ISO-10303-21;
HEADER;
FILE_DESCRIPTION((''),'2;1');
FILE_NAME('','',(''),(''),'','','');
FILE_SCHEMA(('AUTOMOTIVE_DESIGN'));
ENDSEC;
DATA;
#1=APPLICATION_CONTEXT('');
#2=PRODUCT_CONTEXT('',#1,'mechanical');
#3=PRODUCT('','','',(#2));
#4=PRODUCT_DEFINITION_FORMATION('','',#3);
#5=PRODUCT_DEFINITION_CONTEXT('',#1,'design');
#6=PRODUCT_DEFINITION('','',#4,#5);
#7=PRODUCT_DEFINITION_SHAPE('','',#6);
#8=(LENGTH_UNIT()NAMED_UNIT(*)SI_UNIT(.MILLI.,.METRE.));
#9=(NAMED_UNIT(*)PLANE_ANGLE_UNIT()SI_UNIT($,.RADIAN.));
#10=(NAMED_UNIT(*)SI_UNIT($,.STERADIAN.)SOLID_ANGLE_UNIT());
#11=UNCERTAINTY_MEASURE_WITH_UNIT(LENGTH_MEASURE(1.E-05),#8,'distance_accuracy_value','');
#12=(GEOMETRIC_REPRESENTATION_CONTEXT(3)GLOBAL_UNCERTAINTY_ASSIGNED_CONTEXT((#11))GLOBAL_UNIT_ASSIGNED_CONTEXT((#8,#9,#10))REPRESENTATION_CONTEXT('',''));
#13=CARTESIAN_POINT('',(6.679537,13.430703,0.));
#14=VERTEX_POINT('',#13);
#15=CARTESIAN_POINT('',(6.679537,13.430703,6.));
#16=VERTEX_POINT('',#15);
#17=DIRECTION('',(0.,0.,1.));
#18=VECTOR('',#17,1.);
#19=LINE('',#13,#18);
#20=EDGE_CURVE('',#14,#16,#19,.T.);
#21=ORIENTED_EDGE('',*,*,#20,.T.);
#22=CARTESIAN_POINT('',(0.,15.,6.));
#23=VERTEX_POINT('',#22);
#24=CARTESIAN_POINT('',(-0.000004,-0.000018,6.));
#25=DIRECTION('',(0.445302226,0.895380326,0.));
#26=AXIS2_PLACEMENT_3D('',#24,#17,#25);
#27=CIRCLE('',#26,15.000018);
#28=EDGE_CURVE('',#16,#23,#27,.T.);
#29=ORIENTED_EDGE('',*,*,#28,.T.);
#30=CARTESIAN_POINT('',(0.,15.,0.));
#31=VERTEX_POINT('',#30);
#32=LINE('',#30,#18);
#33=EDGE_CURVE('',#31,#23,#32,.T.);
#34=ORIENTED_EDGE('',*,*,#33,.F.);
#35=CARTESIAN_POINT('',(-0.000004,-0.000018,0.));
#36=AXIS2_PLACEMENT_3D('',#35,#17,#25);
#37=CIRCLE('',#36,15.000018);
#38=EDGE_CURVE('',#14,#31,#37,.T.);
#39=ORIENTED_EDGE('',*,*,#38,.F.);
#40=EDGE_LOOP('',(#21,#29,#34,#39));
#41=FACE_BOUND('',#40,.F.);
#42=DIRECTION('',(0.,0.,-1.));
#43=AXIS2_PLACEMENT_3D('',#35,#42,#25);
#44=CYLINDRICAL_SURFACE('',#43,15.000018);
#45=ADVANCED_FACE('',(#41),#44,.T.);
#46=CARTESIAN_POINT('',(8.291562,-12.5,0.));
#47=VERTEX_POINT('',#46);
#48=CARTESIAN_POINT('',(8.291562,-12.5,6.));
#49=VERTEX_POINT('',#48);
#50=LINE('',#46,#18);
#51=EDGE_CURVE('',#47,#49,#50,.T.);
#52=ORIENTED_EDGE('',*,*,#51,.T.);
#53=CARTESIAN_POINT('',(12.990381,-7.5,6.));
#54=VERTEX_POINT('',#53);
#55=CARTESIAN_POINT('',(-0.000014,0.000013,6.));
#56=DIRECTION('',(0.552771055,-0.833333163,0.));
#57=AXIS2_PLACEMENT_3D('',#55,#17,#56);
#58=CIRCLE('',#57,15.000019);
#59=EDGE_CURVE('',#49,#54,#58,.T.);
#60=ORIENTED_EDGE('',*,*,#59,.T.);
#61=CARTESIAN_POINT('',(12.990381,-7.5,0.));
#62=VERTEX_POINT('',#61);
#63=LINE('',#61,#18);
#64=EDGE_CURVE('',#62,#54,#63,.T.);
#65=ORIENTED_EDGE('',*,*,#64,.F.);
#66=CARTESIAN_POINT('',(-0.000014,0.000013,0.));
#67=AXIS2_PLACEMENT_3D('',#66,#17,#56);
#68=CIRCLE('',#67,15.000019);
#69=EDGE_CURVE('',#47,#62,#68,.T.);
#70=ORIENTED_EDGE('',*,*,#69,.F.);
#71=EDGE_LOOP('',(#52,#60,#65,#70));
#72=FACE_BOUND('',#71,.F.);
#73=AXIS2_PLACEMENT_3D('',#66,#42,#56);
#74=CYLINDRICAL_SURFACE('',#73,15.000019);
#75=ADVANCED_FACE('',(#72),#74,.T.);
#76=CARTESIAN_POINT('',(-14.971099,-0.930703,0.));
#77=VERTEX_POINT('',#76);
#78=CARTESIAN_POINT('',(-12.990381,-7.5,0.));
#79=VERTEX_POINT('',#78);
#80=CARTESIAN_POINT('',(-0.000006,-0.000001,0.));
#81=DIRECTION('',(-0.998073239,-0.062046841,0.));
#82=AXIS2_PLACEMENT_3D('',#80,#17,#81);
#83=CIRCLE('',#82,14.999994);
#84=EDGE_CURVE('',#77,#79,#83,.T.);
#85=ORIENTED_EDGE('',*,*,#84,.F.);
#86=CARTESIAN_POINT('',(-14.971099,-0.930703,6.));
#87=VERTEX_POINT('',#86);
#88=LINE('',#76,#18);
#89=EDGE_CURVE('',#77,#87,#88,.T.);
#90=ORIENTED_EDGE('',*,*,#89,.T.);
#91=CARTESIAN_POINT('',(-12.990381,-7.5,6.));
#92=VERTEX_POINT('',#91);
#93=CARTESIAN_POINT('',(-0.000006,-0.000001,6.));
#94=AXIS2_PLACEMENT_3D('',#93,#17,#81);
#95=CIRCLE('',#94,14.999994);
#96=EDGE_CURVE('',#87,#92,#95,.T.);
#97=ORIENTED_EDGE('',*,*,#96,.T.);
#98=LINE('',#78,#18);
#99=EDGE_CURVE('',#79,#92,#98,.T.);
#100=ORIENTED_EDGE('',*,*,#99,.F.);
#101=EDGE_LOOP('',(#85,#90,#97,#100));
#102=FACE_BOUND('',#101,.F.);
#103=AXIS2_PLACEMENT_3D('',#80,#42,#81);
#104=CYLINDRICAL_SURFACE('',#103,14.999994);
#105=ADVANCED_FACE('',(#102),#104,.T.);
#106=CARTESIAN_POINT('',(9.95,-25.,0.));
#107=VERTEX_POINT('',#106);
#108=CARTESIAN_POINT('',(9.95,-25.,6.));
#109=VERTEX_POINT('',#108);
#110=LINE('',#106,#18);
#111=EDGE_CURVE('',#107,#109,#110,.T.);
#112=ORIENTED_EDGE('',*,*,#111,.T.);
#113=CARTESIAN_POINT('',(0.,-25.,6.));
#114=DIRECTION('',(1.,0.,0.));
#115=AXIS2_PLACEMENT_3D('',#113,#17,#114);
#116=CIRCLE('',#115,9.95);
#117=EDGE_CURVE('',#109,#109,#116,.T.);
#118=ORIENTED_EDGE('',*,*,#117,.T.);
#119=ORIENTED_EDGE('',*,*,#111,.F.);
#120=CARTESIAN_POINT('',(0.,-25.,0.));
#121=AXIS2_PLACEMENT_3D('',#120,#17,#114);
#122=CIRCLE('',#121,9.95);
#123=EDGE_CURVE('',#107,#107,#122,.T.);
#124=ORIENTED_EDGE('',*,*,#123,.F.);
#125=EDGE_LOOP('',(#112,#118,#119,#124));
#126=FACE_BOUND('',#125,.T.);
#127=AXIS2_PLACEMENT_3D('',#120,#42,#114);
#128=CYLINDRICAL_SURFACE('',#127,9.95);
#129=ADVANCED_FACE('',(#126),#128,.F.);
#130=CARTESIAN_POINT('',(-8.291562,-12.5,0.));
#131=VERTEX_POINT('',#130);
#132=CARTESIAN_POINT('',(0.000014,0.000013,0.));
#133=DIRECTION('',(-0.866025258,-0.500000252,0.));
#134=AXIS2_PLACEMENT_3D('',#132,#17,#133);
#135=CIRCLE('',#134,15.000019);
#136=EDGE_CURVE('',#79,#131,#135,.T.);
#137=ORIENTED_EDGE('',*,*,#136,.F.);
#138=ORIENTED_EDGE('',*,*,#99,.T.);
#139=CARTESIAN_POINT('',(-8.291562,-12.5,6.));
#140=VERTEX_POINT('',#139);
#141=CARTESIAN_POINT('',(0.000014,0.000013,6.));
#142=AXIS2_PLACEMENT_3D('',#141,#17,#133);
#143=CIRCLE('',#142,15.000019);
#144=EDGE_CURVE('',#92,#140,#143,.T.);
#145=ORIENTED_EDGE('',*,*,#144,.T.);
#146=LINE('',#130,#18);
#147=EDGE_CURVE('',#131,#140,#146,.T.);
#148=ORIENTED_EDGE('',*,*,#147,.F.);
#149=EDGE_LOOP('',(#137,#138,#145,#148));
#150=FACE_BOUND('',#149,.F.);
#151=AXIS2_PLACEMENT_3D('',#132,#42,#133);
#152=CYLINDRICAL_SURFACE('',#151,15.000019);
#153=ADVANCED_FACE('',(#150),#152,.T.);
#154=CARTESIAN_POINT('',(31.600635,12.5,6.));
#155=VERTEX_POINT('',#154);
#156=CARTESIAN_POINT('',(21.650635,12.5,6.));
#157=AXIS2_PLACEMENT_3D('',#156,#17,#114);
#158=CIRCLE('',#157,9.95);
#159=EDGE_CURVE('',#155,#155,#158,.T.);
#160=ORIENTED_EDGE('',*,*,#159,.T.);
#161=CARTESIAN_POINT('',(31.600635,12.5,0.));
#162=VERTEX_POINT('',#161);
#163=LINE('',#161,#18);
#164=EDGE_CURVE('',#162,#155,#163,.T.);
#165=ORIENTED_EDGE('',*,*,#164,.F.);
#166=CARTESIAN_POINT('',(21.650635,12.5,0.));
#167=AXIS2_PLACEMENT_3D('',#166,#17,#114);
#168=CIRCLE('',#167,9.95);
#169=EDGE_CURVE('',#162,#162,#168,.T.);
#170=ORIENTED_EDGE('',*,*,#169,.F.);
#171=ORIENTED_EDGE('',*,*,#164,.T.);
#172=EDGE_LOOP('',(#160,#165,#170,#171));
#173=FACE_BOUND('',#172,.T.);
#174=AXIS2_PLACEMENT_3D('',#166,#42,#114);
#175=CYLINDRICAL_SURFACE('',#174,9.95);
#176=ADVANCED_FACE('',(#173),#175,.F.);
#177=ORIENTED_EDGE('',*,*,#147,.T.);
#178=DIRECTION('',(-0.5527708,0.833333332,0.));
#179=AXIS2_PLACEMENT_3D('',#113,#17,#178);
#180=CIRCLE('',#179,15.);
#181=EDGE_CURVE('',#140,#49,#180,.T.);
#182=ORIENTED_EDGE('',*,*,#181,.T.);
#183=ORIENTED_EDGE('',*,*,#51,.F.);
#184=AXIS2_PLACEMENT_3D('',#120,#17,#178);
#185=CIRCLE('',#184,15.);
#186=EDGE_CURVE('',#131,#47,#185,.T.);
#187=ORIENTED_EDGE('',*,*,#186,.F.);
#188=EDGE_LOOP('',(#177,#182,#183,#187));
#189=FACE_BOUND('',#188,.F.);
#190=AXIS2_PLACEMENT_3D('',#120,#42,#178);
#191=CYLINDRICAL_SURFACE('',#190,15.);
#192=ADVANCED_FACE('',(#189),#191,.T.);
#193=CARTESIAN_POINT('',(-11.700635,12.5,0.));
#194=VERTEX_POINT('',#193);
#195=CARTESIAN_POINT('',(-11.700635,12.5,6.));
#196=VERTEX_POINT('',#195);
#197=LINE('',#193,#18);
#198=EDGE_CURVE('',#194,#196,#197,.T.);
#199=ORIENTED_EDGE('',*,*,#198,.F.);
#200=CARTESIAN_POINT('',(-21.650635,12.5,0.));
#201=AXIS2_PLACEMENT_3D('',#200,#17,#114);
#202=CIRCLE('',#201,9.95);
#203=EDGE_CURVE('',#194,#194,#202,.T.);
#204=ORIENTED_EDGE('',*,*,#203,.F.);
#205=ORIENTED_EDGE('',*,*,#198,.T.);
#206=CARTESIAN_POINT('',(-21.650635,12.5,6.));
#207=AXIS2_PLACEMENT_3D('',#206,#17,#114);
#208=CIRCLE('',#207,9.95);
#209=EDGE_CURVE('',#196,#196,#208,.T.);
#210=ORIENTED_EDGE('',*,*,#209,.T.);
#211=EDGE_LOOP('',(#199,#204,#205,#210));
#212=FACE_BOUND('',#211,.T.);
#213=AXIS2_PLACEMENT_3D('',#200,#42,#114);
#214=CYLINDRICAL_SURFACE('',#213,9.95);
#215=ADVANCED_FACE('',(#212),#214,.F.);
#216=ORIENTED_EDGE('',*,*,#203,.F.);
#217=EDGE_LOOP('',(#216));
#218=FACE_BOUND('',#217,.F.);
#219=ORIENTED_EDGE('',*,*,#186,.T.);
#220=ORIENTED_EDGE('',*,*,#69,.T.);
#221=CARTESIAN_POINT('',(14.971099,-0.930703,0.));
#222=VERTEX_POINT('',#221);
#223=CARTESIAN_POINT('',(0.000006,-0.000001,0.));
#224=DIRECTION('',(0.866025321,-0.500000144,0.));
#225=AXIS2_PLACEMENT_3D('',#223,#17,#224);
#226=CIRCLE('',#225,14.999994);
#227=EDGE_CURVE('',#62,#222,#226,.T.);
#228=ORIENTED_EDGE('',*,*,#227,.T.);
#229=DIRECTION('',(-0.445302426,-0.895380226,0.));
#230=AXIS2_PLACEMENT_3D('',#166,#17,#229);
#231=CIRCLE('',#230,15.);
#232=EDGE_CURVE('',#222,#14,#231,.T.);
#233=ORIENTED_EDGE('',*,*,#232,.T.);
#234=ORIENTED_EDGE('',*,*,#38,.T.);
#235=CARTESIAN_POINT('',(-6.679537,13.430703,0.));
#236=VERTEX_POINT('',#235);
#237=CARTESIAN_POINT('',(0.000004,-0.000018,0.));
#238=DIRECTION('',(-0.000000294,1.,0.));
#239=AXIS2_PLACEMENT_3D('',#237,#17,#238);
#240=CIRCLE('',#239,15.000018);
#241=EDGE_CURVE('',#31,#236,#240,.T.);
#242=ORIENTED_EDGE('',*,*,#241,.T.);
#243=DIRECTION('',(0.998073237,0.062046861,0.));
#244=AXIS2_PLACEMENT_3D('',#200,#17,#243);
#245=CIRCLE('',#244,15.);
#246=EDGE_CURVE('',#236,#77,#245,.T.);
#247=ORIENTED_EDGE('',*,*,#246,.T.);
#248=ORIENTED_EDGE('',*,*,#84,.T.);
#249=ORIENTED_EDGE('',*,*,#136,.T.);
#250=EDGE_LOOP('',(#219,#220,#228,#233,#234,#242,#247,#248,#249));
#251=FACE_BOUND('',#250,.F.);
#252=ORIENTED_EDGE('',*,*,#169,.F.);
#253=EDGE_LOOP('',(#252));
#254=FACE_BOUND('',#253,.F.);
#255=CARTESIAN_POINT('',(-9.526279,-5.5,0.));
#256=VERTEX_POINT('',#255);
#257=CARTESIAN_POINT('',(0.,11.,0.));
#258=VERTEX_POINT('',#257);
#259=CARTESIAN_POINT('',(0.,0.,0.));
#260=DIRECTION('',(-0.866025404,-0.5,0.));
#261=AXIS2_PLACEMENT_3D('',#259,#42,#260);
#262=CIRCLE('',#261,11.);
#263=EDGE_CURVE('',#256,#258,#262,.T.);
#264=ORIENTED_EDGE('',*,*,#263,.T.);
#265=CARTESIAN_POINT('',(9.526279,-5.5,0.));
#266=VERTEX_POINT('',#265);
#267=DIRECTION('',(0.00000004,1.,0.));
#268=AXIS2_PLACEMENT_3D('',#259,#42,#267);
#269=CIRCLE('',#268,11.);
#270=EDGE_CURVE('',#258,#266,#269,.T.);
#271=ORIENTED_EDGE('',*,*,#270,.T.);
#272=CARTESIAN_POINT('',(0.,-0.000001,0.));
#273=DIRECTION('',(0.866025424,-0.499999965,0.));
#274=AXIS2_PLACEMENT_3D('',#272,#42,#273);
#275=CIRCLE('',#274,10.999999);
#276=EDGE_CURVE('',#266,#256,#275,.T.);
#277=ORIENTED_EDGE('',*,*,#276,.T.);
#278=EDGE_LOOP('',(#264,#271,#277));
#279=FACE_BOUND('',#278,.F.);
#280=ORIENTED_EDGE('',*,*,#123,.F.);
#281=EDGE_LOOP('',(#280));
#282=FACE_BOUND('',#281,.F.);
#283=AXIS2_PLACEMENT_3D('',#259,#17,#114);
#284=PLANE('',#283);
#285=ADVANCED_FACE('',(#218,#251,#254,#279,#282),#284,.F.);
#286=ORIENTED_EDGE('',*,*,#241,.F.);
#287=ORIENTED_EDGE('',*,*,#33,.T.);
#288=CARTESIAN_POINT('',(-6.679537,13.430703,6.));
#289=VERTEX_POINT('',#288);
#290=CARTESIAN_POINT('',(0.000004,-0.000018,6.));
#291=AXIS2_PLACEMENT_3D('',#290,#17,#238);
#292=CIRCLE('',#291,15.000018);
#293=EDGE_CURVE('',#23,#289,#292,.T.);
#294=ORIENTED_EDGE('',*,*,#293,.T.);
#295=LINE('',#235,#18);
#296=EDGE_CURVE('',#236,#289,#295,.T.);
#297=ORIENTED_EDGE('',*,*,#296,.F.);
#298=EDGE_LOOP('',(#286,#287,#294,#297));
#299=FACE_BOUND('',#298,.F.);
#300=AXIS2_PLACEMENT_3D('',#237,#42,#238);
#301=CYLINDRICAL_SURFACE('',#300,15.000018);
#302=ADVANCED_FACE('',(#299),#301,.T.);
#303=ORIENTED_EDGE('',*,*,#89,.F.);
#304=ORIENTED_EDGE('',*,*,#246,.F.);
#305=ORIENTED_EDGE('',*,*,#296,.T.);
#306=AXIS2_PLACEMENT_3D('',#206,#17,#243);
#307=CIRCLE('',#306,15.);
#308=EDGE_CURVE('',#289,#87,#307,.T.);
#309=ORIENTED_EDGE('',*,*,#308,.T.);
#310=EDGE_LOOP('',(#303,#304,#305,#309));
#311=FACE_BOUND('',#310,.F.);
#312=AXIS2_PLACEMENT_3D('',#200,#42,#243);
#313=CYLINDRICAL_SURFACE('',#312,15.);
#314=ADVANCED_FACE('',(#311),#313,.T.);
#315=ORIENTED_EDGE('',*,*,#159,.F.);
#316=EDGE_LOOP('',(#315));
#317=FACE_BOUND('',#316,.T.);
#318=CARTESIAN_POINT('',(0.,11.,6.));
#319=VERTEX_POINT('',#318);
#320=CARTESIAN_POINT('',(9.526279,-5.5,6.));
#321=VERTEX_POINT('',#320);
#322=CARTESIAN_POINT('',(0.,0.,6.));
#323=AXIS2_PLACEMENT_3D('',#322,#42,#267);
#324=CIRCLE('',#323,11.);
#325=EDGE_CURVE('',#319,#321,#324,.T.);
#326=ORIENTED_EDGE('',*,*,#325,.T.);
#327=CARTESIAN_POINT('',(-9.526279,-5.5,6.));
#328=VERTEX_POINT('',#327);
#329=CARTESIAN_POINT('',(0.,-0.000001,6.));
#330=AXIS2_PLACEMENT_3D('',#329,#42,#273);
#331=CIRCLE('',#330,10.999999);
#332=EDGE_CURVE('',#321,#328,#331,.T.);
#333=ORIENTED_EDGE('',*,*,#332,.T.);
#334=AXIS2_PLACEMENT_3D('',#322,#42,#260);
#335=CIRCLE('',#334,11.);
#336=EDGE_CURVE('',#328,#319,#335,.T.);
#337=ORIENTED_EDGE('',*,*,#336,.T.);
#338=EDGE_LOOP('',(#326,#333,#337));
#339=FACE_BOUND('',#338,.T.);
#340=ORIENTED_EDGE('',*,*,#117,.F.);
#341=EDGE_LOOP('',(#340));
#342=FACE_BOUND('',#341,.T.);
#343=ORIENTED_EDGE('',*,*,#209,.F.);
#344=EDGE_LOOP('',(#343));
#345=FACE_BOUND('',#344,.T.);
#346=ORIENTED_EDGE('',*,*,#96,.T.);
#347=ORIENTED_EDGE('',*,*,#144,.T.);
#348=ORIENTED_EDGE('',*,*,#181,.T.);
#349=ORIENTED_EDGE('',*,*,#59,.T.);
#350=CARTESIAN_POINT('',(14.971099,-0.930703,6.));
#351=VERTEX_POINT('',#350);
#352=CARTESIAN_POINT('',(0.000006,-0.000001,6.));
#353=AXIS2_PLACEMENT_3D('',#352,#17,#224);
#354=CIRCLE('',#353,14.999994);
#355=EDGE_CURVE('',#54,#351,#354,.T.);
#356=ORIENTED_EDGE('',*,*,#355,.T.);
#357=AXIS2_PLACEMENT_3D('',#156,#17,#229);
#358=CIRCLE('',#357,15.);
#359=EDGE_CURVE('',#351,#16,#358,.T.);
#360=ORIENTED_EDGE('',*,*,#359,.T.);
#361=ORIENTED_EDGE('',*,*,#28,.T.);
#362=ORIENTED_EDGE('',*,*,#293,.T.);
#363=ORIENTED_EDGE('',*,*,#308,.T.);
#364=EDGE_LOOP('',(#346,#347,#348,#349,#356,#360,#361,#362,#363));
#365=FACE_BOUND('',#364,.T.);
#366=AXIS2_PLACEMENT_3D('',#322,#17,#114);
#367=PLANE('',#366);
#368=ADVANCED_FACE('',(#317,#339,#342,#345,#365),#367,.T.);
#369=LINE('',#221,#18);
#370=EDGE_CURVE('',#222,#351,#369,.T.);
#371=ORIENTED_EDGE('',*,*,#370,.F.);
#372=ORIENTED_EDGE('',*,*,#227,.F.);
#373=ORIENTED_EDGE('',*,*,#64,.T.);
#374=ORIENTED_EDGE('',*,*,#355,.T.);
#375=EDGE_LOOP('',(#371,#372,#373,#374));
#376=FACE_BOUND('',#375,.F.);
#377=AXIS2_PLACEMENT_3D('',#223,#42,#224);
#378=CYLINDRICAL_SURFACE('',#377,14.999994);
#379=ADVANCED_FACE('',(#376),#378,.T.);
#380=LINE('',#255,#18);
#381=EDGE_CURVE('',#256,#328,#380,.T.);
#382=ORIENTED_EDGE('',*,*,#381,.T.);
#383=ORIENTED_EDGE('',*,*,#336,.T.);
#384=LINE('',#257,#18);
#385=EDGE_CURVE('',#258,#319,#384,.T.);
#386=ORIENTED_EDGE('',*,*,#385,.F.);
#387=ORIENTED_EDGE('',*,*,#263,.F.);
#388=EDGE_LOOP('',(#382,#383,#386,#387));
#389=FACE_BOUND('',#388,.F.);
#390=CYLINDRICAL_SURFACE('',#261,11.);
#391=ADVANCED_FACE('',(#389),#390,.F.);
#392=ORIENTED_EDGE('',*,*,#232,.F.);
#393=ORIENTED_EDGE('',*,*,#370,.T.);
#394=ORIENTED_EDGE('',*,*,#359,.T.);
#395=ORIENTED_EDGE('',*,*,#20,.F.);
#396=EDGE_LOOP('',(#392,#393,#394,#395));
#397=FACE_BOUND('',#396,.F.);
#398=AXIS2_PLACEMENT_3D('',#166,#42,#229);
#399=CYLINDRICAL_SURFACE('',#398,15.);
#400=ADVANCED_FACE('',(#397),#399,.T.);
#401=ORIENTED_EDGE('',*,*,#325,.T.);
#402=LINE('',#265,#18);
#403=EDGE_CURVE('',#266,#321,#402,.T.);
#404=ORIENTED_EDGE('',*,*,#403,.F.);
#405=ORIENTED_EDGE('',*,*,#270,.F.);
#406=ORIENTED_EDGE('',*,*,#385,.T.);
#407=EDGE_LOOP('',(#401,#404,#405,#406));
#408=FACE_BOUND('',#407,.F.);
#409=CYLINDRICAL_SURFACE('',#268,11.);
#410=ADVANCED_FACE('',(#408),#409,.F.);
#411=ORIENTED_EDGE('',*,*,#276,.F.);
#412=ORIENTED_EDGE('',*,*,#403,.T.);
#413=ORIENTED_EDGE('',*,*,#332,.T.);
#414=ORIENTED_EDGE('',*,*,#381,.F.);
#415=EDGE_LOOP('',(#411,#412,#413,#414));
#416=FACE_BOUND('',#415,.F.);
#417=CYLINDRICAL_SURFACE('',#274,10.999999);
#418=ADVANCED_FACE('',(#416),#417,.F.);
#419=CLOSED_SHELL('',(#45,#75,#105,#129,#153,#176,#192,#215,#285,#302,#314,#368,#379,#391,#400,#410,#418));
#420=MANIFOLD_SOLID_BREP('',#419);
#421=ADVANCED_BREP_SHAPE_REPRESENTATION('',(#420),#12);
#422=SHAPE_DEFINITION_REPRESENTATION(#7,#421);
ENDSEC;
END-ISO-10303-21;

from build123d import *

# Parameters (mm, degrees)
F0_R     = 9.95
F1_DEPTH = 6


with BuildPart() as f1:
    # F0 (on Top) → F1 (new body)
    with BuildSketch(Plane.XY):
        with BuildLine():
            ThreePointArc((-12.990381, -7.5), (-10.930703, -10.272279), (-8.291562, -12.5))
            ThreePointArc((-8.291562, -12.5), (0, -40), (8.291562, -12.5))
            ThreePointArc((8.291562, -12.5), (10.930703, -10.272279), (12.990381, -7.5))
            ThreePointArc((12.990381, -7.5), (14.361407, -4.330127), (14.971099, -0.930703))
            ThreePointArc((14.971099, -0.930703), (34.641016, 20), (6.679537, 13.430703))
            ThreePointArc((6.679537, 13.430703), (3.430703, 14.602406), (0, 15))
            ThreePointArc((0, 15), (-3.430703, 14.602406), (-6.679537, 13.430703))
            ThreePointArc((-6.679537, 13.430703), (-34.641016, 20), (-14.971099, -0.930703))
            ThreePointArc((-14.971099, -0.930703), (-14.361407, -4.330127), (-12.990381, -7.5))
        make_face()
        with Locations((0, -25)):
            Circle(F0_R, mode=Mode.SUBTRACT)
        with BuildLine():
            ThreePointArc((9.526279, -5.5), (0, -11), (-9.526279, -5.5))
            ThreePointArc((-9.526279, -5.5), (-9.526279, 5.5), (0, 11))
            ThreePointArc((0, 11), (9.526279, 5.5), (9.526279, -5.5))
        make_face(mode=Mode.SUBTRACT)
        with Locations((-21.650635, 12.5)):
            Circle(F0_R, mode=Mode.SUBTRACT)
        with Locations((21.650635, 12.5)):
            Circle(F0_R, mode=Mode.SUBTRACT)
    extrude(amount=F1_DEPTH)


solid = f1.part
